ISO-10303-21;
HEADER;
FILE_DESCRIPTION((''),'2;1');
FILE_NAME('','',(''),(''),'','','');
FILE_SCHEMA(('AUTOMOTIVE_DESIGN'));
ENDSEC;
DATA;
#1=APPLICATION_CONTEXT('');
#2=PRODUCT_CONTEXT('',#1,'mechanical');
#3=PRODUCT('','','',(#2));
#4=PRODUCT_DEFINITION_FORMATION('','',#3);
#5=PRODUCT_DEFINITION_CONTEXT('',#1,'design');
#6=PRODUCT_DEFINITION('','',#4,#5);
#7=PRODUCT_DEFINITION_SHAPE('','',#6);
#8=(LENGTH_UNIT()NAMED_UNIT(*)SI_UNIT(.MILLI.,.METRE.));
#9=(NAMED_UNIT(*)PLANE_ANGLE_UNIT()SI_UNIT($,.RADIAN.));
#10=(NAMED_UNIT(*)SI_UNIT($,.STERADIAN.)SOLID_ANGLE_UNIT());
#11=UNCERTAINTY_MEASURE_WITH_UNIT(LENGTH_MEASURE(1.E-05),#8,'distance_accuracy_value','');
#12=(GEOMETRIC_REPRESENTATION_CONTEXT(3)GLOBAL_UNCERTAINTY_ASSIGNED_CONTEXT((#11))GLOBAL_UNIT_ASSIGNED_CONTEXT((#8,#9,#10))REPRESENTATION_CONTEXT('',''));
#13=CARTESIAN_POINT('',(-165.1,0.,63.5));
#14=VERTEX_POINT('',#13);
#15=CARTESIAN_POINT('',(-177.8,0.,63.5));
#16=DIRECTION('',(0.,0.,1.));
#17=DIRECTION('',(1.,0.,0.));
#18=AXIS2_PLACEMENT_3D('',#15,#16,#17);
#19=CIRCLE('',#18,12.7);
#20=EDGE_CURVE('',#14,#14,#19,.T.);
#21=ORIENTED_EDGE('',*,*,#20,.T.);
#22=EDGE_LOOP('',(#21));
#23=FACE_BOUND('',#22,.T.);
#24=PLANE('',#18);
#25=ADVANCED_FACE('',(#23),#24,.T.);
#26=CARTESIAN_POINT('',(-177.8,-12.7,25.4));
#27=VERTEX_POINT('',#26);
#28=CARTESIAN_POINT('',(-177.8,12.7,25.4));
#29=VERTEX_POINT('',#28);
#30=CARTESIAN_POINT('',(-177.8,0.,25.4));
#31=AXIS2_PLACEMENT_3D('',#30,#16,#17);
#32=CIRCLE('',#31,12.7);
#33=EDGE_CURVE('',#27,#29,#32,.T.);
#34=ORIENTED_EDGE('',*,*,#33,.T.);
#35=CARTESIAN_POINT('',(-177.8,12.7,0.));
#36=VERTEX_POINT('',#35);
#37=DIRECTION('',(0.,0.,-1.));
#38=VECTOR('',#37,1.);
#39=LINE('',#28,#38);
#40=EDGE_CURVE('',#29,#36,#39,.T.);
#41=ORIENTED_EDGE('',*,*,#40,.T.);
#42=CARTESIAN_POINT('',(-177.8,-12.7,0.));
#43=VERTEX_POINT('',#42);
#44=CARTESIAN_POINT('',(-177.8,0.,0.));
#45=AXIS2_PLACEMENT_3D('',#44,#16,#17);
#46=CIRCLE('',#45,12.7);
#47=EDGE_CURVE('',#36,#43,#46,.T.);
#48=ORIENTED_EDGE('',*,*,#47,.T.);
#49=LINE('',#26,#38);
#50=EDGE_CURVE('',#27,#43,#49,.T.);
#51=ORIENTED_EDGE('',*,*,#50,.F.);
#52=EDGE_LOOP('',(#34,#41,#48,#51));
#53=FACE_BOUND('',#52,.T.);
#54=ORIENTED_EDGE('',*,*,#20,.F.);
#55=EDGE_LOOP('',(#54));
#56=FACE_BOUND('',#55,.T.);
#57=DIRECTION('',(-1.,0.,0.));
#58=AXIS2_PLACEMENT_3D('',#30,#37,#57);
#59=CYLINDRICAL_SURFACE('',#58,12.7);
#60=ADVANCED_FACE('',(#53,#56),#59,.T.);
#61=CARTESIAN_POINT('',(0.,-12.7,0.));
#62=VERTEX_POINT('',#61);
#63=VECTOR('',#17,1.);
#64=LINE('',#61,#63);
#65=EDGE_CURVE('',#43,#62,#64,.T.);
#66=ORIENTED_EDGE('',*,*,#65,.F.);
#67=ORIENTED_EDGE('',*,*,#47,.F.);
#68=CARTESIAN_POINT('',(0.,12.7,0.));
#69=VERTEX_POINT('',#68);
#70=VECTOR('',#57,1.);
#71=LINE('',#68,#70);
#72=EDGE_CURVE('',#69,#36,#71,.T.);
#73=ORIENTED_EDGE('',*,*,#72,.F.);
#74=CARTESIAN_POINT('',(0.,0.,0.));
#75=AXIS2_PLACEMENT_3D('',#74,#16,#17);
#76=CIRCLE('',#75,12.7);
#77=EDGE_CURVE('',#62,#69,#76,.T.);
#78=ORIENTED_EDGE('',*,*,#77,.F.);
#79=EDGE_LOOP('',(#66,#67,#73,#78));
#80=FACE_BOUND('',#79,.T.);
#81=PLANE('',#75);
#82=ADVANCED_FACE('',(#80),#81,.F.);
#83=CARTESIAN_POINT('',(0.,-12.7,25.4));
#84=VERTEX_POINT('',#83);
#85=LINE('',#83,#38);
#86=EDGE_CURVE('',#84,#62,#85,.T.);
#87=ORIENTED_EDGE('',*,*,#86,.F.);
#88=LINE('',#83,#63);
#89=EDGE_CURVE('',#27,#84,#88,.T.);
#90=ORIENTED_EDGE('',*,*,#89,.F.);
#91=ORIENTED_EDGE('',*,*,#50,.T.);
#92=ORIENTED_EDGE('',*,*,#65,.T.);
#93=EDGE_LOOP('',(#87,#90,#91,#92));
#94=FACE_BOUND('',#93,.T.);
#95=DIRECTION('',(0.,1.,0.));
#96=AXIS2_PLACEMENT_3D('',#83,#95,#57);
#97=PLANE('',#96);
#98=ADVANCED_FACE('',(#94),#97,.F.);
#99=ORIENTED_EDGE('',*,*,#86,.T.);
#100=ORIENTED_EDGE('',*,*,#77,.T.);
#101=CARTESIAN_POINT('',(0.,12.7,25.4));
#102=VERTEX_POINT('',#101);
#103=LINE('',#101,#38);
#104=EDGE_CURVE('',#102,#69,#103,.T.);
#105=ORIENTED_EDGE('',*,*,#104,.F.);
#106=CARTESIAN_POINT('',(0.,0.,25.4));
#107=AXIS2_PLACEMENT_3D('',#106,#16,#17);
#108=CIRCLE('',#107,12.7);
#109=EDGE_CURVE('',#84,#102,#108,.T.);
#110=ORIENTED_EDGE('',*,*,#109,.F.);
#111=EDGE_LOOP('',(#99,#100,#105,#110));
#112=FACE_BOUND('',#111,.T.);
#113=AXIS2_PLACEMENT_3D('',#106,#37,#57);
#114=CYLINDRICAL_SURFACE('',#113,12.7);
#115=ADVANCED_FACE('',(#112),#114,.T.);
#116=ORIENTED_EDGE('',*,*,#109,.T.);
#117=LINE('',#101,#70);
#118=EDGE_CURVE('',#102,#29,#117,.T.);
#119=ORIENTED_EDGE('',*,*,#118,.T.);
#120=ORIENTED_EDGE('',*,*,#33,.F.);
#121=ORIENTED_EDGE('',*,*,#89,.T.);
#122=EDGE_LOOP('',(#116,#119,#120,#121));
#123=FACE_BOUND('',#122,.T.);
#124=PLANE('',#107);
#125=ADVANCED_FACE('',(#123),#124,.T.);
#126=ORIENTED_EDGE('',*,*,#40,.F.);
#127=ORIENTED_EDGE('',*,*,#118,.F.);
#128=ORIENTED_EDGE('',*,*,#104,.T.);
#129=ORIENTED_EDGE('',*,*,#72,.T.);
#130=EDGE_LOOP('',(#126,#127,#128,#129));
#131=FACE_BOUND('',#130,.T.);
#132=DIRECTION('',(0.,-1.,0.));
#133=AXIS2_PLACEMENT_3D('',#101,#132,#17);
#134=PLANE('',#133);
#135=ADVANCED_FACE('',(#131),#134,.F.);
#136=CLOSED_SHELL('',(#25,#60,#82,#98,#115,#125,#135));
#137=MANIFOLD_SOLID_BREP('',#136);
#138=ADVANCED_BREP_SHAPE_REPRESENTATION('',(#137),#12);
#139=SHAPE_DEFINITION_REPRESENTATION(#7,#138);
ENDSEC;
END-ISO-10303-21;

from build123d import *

# Parameters (mm, degrees)
BOSS_EXTRUDE1_DEPTH = 25.4
SKETCH2_R           = 12.7
BOSS_EXTRUDE2_DEPTH = 38.1


with BuildPart() as part:
    # Sketch1 → Boss-Extrude1 (new body)
    with BuildSketch(Plane.XY):
        with BuildLine():
            Line((0, -12.7), (-177.8, -12.7))
            ThreePointArc((-177.8, -12.7), (-190.5, 0), (-177.8, 12.7))
            Line((-177.8, 12.7), (0, 12.7))
            ThreePointArc((0, 12.7), (12.7, 0), (0, -12.7))
        make_face()
    extrude(amount=BOSS_EXTRUDE1_DEPTH)

    # Sketch2 → Boss-Extrude2 (add)
    with BuildSketch(Plane.XY.offset(25.4)):
        with Locations(Location((-177.8, 0, 0), (0, 0, 270))):
            Circle(SKETCH2_R)
    extrude(amount=BOSS_EXTRUDE2_DEPTH)


solid = part.part
